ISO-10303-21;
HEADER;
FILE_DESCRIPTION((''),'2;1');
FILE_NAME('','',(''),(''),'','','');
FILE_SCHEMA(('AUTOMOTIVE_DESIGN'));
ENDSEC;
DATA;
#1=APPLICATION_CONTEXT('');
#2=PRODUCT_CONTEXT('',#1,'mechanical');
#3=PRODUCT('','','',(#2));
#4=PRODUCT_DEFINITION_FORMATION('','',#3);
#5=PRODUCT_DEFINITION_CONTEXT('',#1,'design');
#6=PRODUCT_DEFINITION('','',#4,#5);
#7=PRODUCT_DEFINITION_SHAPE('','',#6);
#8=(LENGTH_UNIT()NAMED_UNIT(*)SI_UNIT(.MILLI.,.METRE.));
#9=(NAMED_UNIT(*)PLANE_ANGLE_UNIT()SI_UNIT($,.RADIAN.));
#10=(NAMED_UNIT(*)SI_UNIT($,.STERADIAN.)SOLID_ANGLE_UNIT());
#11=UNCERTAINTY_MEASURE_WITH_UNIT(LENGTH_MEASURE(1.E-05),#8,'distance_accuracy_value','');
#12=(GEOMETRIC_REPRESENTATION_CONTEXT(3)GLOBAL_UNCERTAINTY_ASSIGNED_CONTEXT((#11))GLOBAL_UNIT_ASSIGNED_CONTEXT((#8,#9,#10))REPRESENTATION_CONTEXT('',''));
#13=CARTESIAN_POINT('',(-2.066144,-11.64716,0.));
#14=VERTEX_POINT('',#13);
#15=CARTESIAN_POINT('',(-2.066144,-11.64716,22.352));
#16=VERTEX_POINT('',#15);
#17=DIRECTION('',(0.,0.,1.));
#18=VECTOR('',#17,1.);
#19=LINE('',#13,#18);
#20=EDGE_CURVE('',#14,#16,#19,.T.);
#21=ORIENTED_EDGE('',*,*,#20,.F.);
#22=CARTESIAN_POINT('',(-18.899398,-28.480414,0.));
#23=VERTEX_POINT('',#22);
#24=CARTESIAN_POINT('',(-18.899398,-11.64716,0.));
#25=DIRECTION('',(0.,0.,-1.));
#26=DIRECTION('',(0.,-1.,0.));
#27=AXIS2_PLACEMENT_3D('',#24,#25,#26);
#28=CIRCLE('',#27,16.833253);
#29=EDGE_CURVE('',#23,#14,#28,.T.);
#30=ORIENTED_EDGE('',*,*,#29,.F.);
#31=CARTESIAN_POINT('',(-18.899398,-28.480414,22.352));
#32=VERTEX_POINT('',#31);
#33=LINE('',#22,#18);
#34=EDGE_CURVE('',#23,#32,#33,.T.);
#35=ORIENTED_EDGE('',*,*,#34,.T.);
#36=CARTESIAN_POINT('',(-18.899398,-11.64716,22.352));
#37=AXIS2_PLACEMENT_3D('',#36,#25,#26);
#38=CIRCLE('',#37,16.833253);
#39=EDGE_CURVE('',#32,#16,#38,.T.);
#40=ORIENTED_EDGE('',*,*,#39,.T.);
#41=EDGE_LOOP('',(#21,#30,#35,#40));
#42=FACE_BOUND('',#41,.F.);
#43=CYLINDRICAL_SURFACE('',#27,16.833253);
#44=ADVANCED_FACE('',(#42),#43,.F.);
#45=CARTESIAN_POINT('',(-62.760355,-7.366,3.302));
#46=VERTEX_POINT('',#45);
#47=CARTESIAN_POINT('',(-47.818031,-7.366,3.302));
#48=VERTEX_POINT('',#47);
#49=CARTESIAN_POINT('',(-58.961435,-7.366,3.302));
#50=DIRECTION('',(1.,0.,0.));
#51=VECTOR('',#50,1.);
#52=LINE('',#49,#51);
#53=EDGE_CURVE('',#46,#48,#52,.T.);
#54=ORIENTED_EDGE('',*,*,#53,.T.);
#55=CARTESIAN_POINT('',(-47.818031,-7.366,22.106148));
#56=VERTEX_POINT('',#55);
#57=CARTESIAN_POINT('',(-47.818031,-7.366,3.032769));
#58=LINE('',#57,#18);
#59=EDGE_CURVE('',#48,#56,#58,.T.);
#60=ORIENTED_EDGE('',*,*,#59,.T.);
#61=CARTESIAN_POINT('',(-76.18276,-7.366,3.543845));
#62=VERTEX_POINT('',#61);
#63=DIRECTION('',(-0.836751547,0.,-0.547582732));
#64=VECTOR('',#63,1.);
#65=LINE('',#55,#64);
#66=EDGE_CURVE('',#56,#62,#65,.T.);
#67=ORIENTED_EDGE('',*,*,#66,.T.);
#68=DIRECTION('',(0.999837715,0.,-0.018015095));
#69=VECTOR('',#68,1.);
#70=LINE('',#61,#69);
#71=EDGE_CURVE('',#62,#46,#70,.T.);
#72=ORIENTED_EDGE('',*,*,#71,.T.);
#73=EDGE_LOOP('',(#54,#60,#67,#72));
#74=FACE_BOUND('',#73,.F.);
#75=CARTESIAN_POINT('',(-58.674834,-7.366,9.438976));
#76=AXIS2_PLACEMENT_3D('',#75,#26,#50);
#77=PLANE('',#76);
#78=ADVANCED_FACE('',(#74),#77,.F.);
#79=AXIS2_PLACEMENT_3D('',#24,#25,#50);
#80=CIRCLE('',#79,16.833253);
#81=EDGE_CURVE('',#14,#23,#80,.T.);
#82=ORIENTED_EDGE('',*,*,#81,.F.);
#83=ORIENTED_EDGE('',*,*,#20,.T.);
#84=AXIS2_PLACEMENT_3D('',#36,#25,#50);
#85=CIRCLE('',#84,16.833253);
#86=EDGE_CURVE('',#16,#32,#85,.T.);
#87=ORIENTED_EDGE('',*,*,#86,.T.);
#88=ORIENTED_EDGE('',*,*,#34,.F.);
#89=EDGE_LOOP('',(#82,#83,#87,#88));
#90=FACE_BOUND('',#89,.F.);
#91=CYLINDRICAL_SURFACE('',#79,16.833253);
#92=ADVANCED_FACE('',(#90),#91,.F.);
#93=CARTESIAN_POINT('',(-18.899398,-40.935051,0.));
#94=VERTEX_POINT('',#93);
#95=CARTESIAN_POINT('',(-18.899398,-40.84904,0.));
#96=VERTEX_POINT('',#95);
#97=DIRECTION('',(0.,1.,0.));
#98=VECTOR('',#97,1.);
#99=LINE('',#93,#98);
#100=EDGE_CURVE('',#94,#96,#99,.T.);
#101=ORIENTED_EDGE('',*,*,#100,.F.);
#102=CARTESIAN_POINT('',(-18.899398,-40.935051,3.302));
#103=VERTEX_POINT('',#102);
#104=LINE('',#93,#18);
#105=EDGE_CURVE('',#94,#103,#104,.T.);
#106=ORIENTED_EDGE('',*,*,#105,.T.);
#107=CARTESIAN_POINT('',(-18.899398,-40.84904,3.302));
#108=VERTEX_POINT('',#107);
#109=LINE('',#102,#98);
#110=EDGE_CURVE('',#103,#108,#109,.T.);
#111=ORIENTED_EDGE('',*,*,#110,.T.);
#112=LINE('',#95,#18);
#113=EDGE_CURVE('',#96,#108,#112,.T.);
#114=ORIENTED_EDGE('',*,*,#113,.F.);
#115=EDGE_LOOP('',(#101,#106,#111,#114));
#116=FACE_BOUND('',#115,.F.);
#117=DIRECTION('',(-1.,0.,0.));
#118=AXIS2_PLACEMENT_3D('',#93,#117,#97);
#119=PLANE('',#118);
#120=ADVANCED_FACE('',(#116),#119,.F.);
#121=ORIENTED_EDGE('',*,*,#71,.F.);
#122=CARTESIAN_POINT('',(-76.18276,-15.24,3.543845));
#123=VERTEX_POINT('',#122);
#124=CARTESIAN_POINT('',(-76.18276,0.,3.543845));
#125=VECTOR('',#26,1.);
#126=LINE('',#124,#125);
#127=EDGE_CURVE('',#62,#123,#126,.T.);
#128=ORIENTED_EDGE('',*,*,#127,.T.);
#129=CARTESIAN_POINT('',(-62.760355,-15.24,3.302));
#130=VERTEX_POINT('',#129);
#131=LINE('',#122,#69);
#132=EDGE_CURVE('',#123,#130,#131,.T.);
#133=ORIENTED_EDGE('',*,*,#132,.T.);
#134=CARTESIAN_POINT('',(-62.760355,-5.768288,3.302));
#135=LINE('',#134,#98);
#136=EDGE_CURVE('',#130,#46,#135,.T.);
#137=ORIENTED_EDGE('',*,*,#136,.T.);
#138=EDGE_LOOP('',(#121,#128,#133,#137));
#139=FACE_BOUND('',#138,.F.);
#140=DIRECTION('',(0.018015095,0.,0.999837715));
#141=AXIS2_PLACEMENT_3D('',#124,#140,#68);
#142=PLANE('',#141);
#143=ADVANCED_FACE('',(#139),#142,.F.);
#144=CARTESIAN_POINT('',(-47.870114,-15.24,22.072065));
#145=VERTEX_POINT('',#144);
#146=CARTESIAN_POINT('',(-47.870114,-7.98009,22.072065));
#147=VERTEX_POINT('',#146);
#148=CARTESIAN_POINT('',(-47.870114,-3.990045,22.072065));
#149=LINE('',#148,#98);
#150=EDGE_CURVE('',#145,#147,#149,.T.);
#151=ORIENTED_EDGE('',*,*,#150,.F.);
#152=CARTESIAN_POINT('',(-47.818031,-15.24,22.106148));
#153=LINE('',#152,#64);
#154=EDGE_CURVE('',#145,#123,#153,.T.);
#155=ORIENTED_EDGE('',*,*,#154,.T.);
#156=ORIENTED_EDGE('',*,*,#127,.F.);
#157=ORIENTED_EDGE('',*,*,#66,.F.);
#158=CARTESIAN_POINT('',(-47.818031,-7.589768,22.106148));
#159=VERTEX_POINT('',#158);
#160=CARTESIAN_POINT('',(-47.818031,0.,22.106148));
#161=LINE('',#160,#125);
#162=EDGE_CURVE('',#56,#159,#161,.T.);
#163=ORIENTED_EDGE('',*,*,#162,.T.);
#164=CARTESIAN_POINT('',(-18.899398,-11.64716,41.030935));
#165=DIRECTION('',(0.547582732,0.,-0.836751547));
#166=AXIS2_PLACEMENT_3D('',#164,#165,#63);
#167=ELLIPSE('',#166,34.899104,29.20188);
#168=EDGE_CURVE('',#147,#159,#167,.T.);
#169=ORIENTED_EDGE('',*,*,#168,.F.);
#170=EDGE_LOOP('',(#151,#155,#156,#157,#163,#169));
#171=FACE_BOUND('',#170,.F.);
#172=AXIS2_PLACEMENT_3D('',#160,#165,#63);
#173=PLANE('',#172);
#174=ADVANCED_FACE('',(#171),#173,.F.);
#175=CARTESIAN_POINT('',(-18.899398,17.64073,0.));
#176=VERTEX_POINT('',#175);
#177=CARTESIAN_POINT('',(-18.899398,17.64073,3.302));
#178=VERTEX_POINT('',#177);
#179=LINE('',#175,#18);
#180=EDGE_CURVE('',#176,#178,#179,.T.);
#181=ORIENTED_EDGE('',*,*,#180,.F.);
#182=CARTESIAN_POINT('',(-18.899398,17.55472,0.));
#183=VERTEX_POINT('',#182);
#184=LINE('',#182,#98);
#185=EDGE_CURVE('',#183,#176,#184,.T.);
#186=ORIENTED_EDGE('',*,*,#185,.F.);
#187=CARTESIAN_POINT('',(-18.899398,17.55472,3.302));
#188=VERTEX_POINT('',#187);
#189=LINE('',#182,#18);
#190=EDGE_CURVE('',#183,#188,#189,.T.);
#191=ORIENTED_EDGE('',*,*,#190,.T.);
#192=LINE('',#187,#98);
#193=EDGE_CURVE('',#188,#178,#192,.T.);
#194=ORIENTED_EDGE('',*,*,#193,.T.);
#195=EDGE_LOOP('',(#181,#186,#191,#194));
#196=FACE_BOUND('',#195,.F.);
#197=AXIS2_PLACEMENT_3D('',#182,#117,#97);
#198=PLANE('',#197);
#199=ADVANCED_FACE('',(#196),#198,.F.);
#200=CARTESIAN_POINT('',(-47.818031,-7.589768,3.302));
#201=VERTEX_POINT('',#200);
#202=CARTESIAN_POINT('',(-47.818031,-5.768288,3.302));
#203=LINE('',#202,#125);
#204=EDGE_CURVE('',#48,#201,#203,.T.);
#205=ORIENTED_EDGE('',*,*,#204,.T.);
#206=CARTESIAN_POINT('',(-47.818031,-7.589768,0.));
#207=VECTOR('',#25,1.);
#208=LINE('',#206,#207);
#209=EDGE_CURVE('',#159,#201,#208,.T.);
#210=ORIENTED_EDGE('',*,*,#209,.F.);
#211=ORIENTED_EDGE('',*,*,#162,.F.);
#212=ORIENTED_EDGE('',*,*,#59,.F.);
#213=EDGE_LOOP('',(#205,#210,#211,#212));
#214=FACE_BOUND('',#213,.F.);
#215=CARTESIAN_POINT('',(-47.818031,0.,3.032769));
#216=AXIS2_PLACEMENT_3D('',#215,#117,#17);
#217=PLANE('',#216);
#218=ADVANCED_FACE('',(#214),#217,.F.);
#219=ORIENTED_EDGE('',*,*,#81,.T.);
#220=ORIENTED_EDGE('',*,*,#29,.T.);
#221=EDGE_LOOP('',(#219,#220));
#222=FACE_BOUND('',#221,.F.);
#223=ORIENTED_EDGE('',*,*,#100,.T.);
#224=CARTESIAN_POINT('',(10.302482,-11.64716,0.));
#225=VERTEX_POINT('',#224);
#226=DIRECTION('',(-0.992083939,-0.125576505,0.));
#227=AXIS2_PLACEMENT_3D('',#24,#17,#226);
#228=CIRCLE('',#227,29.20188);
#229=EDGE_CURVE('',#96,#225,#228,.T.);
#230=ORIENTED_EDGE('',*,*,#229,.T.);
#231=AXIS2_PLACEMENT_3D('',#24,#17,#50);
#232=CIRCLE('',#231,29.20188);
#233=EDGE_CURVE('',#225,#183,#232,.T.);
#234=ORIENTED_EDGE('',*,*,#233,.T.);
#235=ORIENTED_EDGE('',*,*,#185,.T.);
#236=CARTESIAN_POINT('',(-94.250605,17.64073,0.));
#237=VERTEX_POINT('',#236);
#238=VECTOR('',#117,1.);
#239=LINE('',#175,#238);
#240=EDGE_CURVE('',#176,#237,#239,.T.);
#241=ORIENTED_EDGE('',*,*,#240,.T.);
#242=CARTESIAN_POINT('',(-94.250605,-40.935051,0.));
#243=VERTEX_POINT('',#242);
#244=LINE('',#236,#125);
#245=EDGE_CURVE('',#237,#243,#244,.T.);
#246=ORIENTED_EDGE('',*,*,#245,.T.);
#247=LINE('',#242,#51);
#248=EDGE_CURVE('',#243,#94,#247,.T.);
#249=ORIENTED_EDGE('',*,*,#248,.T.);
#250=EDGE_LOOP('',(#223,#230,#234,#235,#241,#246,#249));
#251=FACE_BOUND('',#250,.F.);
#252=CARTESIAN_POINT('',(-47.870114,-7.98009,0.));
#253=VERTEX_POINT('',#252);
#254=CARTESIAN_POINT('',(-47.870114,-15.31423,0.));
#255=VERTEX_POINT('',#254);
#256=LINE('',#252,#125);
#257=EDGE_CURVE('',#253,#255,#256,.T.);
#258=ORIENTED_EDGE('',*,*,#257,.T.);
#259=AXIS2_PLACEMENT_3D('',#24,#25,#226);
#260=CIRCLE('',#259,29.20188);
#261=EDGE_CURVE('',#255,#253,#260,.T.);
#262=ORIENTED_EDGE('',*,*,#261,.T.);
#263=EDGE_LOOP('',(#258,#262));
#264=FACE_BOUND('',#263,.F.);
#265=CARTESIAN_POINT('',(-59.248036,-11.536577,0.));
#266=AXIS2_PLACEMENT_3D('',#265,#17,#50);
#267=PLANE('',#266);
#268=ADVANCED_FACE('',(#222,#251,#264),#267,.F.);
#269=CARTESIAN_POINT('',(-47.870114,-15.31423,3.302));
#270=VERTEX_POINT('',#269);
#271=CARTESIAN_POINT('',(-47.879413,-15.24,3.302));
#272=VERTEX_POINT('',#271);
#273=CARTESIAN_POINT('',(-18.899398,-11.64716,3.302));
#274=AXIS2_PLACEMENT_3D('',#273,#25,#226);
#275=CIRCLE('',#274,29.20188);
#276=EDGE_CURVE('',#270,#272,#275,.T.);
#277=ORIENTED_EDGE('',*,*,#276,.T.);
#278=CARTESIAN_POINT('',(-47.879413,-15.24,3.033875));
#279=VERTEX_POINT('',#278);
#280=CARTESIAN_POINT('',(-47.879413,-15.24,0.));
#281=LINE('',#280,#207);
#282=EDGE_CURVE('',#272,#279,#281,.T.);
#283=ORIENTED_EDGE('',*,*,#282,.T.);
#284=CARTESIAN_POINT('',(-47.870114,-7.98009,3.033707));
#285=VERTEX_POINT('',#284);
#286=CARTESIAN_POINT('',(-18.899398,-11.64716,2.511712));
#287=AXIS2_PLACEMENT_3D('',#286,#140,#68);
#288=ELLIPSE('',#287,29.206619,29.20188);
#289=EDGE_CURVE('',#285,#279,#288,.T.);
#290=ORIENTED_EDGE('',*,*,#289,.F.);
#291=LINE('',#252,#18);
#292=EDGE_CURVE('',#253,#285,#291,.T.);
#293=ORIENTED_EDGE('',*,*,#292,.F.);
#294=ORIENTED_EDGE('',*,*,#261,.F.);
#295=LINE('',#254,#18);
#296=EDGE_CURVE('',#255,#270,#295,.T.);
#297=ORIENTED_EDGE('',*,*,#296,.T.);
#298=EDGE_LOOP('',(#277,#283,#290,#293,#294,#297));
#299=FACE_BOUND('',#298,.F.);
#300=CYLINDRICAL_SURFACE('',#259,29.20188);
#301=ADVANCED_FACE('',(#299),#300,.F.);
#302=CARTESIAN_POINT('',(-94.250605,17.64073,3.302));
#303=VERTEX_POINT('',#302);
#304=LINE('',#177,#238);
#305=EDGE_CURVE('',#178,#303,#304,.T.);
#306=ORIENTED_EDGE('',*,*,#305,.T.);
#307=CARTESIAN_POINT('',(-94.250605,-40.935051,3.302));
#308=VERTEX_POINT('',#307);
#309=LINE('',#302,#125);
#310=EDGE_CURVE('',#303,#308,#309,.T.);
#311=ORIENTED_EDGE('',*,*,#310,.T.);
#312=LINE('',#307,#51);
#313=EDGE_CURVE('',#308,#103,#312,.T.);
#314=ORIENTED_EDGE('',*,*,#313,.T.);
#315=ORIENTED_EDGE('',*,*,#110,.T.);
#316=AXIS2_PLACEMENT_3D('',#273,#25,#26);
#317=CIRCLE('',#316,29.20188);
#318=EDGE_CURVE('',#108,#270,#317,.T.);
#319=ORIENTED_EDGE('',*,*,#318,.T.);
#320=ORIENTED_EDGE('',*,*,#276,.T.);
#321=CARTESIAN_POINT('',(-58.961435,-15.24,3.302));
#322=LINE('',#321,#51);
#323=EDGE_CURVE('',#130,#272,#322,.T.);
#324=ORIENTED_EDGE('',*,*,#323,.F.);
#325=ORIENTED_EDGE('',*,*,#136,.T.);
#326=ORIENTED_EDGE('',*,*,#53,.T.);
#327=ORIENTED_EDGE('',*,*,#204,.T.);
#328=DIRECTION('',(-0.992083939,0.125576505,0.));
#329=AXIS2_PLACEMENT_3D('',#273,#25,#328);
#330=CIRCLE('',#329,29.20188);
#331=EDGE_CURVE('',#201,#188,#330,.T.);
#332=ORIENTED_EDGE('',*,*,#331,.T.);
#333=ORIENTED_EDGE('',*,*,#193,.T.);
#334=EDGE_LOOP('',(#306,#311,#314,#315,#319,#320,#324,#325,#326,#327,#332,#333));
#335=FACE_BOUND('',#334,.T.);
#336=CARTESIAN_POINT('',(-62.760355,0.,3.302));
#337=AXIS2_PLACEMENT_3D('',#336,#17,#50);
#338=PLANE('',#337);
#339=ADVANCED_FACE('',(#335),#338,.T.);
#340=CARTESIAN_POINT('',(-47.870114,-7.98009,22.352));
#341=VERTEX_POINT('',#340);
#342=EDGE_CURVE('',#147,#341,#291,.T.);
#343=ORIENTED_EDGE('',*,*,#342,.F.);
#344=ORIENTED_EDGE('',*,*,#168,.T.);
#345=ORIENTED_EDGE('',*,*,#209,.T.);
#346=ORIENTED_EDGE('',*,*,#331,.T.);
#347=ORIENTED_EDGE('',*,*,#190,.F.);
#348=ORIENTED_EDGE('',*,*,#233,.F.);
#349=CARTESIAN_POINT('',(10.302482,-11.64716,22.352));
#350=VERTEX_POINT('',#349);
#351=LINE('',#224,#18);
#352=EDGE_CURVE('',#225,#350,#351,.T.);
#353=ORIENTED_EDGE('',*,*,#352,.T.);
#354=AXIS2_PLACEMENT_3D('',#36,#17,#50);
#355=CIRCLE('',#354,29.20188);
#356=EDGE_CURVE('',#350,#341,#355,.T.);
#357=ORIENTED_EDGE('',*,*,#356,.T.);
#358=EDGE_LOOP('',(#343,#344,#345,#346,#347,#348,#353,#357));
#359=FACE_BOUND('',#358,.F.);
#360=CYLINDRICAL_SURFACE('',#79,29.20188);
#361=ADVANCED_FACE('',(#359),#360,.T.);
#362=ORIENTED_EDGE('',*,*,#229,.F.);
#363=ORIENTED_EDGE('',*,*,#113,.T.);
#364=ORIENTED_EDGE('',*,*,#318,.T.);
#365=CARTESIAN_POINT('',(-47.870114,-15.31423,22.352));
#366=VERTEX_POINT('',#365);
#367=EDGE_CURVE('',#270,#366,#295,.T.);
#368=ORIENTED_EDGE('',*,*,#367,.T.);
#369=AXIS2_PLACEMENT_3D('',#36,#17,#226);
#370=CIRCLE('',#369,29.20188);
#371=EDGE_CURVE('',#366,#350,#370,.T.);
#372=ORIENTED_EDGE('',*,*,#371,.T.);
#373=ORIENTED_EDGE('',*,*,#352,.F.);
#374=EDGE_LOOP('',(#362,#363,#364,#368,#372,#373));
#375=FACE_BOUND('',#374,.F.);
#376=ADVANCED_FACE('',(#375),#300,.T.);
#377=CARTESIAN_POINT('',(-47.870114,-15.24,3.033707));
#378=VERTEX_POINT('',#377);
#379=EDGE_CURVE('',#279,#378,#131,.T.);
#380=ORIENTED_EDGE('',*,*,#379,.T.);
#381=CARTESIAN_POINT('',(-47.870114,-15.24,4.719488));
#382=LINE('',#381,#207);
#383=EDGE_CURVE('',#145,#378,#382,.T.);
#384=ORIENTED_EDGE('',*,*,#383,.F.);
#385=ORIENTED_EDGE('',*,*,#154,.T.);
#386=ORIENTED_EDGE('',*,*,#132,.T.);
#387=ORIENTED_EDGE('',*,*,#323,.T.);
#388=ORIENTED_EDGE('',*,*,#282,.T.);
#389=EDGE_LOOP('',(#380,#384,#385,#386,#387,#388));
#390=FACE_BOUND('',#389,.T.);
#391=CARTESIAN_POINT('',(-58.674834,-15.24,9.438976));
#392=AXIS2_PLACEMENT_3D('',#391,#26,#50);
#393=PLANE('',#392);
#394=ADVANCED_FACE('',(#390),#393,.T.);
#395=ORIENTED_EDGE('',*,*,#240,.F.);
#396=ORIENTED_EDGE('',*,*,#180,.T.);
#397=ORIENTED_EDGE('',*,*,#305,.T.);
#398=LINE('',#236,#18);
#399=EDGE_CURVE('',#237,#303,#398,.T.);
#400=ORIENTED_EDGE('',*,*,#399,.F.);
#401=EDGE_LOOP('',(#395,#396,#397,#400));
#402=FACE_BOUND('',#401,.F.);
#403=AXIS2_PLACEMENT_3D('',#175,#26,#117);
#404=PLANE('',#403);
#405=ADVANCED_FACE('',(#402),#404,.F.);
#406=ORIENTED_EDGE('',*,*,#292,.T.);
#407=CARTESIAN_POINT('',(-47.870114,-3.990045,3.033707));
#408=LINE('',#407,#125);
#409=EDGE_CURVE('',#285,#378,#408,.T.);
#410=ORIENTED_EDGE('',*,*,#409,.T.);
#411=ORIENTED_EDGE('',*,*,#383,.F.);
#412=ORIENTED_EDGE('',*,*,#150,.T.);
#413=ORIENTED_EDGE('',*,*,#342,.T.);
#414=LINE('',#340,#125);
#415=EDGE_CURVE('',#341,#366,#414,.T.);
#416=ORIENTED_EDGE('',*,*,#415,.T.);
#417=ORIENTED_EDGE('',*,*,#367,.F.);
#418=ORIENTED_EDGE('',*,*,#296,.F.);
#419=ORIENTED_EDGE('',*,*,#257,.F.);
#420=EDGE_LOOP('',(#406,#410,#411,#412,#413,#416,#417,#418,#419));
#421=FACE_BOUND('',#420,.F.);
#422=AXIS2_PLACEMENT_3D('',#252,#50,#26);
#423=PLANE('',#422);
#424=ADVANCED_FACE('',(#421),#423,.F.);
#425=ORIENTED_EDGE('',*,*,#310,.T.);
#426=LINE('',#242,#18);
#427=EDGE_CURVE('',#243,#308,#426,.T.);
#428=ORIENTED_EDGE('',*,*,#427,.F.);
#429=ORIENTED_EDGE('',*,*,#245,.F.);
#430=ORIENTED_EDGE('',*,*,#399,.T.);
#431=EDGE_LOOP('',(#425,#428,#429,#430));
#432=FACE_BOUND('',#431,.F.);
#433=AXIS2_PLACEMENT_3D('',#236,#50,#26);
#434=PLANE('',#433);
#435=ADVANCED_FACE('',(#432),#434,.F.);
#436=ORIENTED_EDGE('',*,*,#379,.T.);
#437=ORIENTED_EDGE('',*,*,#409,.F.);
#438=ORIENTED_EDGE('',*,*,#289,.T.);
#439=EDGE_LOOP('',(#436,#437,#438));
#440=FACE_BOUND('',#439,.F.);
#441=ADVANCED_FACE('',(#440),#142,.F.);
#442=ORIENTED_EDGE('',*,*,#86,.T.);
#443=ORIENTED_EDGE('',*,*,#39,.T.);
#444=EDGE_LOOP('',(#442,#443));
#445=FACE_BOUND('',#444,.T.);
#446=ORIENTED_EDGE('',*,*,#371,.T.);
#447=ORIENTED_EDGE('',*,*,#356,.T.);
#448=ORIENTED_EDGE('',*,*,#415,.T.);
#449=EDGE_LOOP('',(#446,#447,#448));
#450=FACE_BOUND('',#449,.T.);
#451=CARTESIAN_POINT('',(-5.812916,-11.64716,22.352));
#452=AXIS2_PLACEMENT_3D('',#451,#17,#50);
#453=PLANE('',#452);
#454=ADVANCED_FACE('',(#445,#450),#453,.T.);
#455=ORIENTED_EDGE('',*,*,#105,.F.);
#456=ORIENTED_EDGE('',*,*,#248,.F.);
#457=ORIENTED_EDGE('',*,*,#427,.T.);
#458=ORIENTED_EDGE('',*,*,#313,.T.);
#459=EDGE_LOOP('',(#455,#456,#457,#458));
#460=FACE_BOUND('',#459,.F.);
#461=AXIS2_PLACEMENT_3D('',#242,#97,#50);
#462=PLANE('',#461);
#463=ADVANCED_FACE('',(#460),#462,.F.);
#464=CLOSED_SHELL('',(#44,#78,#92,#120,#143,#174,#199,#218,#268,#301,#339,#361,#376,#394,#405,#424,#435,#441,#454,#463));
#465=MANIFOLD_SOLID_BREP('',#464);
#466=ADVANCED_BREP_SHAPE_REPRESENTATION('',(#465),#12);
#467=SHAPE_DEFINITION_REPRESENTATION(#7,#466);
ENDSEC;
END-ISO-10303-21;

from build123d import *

# Parameters (mm, degrees)
F1_DEPTH = 22.352
F2_DEPTH = 3.302
F4_DEPTH = 15.24
F5_DEPTH = 7.366


with BuildPart() as f1:
    # F0 (on Top) → F1 (new body)
    with BuildSketch(Plane.XY):
        with BuildLine():
            ThreePointArc((10.3024817516, -11.647160165), (1.7494492179, 9.0016869774), (-18.8993979245, 17.5547195112))
            Line((-18.8993979245, 17.5547195112), (-18.8993979245, 5.1860932686))
            ThreePointArc((-18.8993979245, 5.1860932686), (-6.9964902722, 0.2557474873), (-2.0661444909, -11.647160165))
            ThreePointArc((-2.0661444909, -11.647160165), (-6.9964902722, -23.5500678174), (-18.8993979245, -28.4804135986))
            Line((-18.8993979245, -28.4804135986), (-18.8993979245, -40.8490398412))
            ThreePointArc((-18.8993979245, -40.8490398412), (1.7494492179, -32.2960073074), (10.3024817516, -11.647160165))
        make_face()
        with BuildLine():
            Line((-18.8993979245, 5.1860932686), (-18.8993979245, 17.5547195112))
            ThreePointArc((-18.8993979245, 17.5547195112), (-38.2082616966, 10.2598605465), (-47.8701137319, -7.9800901862))
            Line((-47.8701137319, -7.9800901862), (-47.8701137319, -15.3142301438))
            ThreePointArc((-47.8701137319, -15.3142301438), (-38.2082616966, -33.5541808765), (-18.8993979245, -40.8490398412))
            Line((-18.8993979245, -40.8490398412), (-18.8993979245, -28.4804135986))
            ThreePointArc((-18.8993979245, -28.4804135986), (-35.7326513582, -11.647160165), (-18.8993979245, 5.1860932686))
        make_face()
    extrude(amount=F1_DEPTH)

    # F0 (on Top) → F2 (join)
    with BuildSketch(Plane.XY):
        with BuildLine():
            Line((-18.8993979245, 17.6407303661), (-94.2506045103, 17.6407303661))
            Line((-94.2506045103, 17.6407303661), (-94.2506045103, -40.9350506961))
            Line((-94.2506045103, -40.9350506961), (-18.8993979245, -40.9350506961))
            Line((-18.8993979245, -40.9350506961), (-18.8993979245, -40.8490398412))
            ThreePointArc((-18.8993979245, -40.8490398412), (-38.2082616966, -33.5541808765), (-47.8701137319, -15.3142301438))
            Line((-47.8701137319, -15.3142301438), (-76.080955565, -15.3142301438))
            Line((-76.080955565, -15.3142301438), (-76.080955565, -6.896413397))
            Line((-76.080955565, -6.896413397), (-47.8701137319, -6.896413397))
            Line((-47.8701137319, -6.896413397), (-47.8701137319, -7.9800901862))
            ThreePointArc((-47.8701137319, -7.9800901862), (-38.2082616966, 10.2598605465), (-18.8993979245, 17.5547195112))
            Line((-18.8993979245, 17.5547195112), (-18.8993979245, 17.6407303661))
        make_face()
        with BuildLine():
            ThreePointArc((-47.8701137319, -15.3142301438), (-48.1012776007, -11.647160165), (-47.8701137319, -7.9800901862))
            Line((-47.8701137319, -7.9800901862), (-47.8701137319, -6.896413397))
            Line((-47.8701137319, -6.896413397), (-76.080955565, -6.896413397))
            Line((-76.080955565, -6.896413397), (-76.080955565, -15.3142301438))
            Line((-76.080955565, -15.3142301438), (-47.8701137319, -15.3142301438))
        make_face()
    extrude(amount=F2_DEPTH)

    # F3 (on Front) → F4 (join)
    with BuildSketch(Plane.XZ):
        Polygon((-47.818031162, 22.1061483026), (-76.1827602983, 3.543845145), (-47.818031162, 3.0327689167), align=None)
    extrude(amount=F4_DEPTH)

    # F5 (cut): a face of the model
    f5_faces = [f1.faces().sort_by_distance(p)[0] for p in [
        (-57.3064596084, 0, 9.6084828756),
    ]]
    extrude(f5_faces, amount=-F5_DEPTH, mode=Mode.SUBTRACT)


solid = f1.part
